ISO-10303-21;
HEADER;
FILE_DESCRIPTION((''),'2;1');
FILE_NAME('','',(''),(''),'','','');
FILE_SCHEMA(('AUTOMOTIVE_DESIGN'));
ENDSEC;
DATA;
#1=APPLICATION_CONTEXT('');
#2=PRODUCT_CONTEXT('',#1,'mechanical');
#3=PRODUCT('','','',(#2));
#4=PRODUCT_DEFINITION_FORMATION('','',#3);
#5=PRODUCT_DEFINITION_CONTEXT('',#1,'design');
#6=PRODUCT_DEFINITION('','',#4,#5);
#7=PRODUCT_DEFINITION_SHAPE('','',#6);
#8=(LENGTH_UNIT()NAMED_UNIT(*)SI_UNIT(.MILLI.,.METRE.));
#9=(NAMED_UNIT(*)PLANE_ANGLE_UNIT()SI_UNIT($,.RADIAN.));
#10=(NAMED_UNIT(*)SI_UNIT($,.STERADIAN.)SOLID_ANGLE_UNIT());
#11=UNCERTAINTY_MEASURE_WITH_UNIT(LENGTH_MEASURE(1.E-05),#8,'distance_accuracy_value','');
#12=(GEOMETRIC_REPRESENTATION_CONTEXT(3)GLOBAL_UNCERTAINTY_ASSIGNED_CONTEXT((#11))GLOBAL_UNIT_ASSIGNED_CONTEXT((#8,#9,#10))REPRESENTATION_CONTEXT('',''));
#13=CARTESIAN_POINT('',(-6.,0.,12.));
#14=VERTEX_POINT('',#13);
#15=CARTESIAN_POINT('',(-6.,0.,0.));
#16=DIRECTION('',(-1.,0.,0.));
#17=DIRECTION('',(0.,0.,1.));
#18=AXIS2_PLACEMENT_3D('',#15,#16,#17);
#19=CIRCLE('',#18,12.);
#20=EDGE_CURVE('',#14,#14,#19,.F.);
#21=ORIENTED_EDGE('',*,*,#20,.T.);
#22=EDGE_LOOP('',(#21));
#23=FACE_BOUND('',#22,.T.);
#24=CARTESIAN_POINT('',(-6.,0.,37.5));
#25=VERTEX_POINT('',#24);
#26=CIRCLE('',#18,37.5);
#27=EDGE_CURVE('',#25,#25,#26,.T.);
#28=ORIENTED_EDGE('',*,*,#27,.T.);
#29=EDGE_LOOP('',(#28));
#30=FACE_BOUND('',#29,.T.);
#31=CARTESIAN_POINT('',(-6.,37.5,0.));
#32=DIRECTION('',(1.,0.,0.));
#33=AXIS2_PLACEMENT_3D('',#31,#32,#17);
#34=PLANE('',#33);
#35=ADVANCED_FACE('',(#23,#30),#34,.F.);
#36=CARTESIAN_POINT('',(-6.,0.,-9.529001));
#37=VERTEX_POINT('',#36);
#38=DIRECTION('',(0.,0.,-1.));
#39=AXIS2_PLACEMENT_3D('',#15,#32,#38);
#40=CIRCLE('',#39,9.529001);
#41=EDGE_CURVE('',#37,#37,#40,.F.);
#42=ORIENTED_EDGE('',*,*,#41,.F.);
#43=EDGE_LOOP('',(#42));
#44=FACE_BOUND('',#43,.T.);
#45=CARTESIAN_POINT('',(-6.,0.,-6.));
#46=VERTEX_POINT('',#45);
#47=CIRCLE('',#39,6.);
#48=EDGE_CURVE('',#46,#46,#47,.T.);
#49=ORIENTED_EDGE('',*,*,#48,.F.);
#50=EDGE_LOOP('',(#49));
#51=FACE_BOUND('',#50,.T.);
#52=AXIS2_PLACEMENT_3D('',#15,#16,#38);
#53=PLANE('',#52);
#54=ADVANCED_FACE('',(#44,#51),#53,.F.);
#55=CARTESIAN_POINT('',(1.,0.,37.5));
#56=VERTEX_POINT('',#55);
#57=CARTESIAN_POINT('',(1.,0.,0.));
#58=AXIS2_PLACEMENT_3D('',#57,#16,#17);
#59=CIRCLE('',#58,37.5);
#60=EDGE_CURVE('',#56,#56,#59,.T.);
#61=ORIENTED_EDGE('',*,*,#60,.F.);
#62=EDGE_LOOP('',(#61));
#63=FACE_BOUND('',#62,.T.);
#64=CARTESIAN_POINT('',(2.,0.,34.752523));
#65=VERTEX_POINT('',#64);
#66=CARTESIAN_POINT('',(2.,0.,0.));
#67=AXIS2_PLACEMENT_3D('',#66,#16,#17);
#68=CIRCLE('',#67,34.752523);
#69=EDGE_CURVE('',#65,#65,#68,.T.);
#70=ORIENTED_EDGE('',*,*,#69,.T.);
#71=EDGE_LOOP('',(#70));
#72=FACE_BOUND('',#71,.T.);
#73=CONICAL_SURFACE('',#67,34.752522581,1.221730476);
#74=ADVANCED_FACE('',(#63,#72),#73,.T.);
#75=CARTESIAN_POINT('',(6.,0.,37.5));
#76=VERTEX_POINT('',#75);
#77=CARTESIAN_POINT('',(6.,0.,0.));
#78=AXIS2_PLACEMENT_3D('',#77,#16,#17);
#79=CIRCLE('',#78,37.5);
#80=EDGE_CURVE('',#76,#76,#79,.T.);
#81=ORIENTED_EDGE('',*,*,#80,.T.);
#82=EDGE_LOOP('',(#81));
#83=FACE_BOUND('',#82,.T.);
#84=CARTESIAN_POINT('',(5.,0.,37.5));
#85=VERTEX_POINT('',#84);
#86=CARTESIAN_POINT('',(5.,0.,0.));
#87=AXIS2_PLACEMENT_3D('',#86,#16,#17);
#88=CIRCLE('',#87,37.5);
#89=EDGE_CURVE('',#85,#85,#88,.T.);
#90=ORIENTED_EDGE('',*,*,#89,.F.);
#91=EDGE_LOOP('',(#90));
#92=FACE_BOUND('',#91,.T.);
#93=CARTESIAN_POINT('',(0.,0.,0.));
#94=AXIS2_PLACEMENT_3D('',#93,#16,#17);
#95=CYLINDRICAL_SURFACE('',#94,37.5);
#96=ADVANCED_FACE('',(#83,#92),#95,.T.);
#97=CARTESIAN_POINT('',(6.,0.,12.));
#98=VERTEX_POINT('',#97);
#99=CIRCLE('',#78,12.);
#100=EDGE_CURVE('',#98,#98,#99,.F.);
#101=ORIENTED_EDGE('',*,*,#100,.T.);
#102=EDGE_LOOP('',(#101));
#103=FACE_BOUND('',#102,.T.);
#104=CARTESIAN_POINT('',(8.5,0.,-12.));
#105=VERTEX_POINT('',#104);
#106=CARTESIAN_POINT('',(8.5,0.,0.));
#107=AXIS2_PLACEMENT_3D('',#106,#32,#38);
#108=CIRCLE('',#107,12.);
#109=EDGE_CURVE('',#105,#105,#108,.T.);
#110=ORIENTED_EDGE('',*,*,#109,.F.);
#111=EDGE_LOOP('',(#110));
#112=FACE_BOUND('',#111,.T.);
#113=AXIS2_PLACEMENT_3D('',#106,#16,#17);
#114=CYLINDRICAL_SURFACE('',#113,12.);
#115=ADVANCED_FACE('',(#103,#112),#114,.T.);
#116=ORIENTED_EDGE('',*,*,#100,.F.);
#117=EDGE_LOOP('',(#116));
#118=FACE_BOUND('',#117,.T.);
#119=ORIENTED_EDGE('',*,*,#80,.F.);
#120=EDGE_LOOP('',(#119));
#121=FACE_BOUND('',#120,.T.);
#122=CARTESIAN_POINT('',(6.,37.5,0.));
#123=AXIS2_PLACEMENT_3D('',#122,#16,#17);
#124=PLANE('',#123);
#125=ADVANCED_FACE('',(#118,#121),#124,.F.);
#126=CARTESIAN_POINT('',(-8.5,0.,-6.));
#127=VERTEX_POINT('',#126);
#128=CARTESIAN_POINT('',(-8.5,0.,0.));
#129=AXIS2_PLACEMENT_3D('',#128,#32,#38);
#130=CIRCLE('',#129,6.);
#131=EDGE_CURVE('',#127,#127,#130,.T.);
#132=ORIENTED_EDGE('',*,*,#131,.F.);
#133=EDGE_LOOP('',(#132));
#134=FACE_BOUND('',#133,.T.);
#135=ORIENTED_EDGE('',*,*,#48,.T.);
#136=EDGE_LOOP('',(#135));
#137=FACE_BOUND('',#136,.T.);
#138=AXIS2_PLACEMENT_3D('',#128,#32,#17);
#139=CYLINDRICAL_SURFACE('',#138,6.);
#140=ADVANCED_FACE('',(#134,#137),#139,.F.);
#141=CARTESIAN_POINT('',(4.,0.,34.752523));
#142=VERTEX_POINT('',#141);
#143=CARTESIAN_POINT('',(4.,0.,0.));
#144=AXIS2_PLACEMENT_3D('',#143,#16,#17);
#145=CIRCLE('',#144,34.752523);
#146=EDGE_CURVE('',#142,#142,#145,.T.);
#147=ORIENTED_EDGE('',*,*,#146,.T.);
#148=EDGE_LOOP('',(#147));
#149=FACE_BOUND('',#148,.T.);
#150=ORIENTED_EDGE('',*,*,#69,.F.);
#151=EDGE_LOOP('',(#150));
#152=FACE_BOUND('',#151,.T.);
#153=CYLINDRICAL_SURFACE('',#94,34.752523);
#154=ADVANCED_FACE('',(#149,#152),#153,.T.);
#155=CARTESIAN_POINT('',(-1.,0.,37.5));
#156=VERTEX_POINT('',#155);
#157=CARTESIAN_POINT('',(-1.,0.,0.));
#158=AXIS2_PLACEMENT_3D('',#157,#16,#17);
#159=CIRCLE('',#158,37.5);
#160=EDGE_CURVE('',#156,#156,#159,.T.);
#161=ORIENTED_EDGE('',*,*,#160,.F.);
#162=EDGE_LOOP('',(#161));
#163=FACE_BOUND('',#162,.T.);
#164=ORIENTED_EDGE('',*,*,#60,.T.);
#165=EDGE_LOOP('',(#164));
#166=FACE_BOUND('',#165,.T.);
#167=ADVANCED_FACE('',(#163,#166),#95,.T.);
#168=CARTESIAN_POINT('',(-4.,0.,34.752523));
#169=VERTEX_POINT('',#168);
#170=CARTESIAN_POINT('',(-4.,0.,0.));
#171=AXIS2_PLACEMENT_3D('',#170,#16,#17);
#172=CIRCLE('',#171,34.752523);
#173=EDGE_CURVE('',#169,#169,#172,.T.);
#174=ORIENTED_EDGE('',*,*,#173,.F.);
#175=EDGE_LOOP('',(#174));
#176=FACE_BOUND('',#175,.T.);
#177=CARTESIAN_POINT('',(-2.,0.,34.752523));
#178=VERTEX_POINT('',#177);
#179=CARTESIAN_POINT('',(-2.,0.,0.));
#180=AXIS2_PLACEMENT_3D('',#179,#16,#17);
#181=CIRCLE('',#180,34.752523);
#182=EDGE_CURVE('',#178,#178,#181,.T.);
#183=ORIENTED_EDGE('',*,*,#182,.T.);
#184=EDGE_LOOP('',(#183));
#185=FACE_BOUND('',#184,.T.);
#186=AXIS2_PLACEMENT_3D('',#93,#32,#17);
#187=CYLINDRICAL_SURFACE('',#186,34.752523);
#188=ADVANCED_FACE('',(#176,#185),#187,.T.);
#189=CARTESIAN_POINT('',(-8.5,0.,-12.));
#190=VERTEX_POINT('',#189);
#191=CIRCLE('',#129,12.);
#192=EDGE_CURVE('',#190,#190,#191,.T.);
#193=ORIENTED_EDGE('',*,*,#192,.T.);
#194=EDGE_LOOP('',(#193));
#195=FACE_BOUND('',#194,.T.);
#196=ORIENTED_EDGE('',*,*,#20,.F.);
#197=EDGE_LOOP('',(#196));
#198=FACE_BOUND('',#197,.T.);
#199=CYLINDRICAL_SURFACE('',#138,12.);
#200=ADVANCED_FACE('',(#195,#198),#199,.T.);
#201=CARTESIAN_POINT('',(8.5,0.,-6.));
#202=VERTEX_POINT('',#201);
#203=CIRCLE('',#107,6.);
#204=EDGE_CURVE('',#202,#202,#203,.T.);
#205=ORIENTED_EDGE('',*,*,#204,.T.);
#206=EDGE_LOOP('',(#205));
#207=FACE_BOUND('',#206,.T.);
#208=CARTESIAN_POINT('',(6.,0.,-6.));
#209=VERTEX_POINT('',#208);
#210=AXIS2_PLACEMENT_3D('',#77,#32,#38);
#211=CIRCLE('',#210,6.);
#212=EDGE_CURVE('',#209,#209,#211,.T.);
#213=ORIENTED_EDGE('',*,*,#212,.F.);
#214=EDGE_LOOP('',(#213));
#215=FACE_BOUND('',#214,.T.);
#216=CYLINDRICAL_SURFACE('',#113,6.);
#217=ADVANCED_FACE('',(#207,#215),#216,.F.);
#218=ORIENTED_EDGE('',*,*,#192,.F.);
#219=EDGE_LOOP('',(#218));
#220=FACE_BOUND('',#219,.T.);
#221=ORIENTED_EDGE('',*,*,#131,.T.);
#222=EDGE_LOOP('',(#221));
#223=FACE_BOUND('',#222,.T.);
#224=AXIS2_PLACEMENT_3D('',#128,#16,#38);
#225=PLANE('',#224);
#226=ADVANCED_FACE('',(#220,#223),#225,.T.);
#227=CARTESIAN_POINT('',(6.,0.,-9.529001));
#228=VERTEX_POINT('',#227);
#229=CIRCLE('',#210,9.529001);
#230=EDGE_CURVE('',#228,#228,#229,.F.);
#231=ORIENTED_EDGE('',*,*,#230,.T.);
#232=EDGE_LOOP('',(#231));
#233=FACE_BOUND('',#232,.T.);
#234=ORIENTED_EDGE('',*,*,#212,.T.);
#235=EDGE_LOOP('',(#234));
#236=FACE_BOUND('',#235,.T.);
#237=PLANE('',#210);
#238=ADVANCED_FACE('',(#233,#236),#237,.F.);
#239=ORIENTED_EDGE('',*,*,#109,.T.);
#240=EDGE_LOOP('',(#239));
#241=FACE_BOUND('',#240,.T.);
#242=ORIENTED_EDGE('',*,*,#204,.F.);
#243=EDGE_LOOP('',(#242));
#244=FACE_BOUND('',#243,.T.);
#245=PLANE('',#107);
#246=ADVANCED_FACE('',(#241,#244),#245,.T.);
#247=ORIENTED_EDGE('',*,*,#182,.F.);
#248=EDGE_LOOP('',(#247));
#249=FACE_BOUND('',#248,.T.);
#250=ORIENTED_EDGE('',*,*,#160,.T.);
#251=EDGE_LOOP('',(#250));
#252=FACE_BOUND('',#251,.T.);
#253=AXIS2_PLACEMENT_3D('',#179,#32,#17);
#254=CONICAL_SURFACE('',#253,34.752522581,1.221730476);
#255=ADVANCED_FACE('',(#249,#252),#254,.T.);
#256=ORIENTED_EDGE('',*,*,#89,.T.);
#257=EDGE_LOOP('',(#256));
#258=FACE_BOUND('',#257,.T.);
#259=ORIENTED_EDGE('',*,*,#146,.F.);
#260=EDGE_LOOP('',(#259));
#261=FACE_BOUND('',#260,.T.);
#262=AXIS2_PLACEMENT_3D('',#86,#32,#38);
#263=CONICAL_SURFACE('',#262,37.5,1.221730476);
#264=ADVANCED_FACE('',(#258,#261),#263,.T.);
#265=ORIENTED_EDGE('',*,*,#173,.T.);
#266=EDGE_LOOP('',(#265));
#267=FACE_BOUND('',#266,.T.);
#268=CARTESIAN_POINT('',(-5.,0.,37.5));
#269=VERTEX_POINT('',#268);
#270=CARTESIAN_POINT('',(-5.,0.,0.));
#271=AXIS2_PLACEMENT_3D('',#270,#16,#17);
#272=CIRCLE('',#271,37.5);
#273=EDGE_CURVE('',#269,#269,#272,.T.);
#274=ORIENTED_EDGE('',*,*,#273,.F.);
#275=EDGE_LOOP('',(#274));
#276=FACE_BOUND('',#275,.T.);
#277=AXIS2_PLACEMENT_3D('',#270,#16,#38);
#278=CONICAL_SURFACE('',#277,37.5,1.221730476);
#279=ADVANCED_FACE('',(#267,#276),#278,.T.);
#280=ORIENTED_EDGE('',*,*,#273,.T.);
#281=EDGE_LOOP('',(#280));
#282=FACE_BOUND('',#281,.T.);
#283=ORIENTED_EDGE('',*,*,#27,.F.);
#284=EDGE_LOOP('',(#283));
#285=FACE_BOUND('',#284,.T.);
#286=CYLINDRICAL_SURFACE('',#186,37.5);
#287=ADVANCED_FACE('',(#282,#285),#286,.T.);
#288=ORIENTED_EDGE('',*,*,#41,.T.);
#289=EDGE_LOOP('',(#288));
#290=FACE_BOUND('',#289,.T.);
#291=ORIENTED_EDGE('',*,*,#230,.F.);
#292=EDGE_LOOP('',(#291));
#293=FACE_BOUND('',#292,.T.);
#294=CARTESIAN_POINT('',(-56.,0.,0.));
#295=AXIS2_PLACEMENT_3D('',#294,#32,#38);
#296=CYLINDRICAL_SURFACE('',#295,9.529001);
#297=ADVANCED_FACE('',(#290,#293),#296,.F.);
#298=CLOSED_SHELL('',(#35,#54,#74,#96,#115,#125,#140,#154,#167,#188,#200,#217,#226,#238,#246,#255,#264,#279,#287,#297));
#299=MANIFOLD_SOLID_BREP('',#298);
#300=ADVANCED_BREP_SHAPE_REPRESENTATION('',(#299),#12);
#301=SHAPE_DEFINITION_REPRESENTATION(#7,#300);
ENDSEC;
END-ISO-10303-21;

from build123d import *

# Parameters (mm, degrees)
SKETCH2_R           = 9.52900057
CUT_EXTRUDE2_DEPTH  = 62
SKETCH3_R           = 12
SKETCH3_R_2         = 6
BOSS_EXTRUDE1_DEPTH = 2.5


with BuildPart() as part:
    # Sketch1 → Revolve1 (revolve)
    with BuildSketch(Plane.XY):
        Polygon((0, 0), (0, 37.5), (1, 37.5), (2, 34.752522581), (4, 34.752522581), (5, 37.5), (6, 37.5), (6, 0), align=None)
    revolve(axis=Axis((0, 0, 0), (1, 0, 0)))

    # Sketch2 → Cut-Extrude2 (cut)
    with BuildSketch(Plane(origin=(6, 0, 0), x_dir=(0, 0, -1), z_dir=(1, 0, 0))):
        Circle(SKETCH2_R)
    extrude(amount=-CUT_EXTRUDE2_DEPTH, mode=Mode.SUBTRACT)

    # Sketch3 → Boss-Extrude1 (add)
    with BuildSketch(Plane(origin=(6, 0, 0), x_dir=(0, 0, -1), z_dir=(1, 0, 0))):
        Circle(SKETCH3_R)
        Circle(SKETCH3_R_2, mode=Mode.SUBTRACT)
    extrude(amount=BOSS_EXTRUDE1_DEPTH)

    # Mirror1: part across plane


with BuildPart() as part_1:
    add(part.part)
    add(part.part.mirror(Plane(origin=(0, 0, 0), x_dir=(0, 0, 1), z_dir=(1, 0, 0))))


solid = part_1.part
